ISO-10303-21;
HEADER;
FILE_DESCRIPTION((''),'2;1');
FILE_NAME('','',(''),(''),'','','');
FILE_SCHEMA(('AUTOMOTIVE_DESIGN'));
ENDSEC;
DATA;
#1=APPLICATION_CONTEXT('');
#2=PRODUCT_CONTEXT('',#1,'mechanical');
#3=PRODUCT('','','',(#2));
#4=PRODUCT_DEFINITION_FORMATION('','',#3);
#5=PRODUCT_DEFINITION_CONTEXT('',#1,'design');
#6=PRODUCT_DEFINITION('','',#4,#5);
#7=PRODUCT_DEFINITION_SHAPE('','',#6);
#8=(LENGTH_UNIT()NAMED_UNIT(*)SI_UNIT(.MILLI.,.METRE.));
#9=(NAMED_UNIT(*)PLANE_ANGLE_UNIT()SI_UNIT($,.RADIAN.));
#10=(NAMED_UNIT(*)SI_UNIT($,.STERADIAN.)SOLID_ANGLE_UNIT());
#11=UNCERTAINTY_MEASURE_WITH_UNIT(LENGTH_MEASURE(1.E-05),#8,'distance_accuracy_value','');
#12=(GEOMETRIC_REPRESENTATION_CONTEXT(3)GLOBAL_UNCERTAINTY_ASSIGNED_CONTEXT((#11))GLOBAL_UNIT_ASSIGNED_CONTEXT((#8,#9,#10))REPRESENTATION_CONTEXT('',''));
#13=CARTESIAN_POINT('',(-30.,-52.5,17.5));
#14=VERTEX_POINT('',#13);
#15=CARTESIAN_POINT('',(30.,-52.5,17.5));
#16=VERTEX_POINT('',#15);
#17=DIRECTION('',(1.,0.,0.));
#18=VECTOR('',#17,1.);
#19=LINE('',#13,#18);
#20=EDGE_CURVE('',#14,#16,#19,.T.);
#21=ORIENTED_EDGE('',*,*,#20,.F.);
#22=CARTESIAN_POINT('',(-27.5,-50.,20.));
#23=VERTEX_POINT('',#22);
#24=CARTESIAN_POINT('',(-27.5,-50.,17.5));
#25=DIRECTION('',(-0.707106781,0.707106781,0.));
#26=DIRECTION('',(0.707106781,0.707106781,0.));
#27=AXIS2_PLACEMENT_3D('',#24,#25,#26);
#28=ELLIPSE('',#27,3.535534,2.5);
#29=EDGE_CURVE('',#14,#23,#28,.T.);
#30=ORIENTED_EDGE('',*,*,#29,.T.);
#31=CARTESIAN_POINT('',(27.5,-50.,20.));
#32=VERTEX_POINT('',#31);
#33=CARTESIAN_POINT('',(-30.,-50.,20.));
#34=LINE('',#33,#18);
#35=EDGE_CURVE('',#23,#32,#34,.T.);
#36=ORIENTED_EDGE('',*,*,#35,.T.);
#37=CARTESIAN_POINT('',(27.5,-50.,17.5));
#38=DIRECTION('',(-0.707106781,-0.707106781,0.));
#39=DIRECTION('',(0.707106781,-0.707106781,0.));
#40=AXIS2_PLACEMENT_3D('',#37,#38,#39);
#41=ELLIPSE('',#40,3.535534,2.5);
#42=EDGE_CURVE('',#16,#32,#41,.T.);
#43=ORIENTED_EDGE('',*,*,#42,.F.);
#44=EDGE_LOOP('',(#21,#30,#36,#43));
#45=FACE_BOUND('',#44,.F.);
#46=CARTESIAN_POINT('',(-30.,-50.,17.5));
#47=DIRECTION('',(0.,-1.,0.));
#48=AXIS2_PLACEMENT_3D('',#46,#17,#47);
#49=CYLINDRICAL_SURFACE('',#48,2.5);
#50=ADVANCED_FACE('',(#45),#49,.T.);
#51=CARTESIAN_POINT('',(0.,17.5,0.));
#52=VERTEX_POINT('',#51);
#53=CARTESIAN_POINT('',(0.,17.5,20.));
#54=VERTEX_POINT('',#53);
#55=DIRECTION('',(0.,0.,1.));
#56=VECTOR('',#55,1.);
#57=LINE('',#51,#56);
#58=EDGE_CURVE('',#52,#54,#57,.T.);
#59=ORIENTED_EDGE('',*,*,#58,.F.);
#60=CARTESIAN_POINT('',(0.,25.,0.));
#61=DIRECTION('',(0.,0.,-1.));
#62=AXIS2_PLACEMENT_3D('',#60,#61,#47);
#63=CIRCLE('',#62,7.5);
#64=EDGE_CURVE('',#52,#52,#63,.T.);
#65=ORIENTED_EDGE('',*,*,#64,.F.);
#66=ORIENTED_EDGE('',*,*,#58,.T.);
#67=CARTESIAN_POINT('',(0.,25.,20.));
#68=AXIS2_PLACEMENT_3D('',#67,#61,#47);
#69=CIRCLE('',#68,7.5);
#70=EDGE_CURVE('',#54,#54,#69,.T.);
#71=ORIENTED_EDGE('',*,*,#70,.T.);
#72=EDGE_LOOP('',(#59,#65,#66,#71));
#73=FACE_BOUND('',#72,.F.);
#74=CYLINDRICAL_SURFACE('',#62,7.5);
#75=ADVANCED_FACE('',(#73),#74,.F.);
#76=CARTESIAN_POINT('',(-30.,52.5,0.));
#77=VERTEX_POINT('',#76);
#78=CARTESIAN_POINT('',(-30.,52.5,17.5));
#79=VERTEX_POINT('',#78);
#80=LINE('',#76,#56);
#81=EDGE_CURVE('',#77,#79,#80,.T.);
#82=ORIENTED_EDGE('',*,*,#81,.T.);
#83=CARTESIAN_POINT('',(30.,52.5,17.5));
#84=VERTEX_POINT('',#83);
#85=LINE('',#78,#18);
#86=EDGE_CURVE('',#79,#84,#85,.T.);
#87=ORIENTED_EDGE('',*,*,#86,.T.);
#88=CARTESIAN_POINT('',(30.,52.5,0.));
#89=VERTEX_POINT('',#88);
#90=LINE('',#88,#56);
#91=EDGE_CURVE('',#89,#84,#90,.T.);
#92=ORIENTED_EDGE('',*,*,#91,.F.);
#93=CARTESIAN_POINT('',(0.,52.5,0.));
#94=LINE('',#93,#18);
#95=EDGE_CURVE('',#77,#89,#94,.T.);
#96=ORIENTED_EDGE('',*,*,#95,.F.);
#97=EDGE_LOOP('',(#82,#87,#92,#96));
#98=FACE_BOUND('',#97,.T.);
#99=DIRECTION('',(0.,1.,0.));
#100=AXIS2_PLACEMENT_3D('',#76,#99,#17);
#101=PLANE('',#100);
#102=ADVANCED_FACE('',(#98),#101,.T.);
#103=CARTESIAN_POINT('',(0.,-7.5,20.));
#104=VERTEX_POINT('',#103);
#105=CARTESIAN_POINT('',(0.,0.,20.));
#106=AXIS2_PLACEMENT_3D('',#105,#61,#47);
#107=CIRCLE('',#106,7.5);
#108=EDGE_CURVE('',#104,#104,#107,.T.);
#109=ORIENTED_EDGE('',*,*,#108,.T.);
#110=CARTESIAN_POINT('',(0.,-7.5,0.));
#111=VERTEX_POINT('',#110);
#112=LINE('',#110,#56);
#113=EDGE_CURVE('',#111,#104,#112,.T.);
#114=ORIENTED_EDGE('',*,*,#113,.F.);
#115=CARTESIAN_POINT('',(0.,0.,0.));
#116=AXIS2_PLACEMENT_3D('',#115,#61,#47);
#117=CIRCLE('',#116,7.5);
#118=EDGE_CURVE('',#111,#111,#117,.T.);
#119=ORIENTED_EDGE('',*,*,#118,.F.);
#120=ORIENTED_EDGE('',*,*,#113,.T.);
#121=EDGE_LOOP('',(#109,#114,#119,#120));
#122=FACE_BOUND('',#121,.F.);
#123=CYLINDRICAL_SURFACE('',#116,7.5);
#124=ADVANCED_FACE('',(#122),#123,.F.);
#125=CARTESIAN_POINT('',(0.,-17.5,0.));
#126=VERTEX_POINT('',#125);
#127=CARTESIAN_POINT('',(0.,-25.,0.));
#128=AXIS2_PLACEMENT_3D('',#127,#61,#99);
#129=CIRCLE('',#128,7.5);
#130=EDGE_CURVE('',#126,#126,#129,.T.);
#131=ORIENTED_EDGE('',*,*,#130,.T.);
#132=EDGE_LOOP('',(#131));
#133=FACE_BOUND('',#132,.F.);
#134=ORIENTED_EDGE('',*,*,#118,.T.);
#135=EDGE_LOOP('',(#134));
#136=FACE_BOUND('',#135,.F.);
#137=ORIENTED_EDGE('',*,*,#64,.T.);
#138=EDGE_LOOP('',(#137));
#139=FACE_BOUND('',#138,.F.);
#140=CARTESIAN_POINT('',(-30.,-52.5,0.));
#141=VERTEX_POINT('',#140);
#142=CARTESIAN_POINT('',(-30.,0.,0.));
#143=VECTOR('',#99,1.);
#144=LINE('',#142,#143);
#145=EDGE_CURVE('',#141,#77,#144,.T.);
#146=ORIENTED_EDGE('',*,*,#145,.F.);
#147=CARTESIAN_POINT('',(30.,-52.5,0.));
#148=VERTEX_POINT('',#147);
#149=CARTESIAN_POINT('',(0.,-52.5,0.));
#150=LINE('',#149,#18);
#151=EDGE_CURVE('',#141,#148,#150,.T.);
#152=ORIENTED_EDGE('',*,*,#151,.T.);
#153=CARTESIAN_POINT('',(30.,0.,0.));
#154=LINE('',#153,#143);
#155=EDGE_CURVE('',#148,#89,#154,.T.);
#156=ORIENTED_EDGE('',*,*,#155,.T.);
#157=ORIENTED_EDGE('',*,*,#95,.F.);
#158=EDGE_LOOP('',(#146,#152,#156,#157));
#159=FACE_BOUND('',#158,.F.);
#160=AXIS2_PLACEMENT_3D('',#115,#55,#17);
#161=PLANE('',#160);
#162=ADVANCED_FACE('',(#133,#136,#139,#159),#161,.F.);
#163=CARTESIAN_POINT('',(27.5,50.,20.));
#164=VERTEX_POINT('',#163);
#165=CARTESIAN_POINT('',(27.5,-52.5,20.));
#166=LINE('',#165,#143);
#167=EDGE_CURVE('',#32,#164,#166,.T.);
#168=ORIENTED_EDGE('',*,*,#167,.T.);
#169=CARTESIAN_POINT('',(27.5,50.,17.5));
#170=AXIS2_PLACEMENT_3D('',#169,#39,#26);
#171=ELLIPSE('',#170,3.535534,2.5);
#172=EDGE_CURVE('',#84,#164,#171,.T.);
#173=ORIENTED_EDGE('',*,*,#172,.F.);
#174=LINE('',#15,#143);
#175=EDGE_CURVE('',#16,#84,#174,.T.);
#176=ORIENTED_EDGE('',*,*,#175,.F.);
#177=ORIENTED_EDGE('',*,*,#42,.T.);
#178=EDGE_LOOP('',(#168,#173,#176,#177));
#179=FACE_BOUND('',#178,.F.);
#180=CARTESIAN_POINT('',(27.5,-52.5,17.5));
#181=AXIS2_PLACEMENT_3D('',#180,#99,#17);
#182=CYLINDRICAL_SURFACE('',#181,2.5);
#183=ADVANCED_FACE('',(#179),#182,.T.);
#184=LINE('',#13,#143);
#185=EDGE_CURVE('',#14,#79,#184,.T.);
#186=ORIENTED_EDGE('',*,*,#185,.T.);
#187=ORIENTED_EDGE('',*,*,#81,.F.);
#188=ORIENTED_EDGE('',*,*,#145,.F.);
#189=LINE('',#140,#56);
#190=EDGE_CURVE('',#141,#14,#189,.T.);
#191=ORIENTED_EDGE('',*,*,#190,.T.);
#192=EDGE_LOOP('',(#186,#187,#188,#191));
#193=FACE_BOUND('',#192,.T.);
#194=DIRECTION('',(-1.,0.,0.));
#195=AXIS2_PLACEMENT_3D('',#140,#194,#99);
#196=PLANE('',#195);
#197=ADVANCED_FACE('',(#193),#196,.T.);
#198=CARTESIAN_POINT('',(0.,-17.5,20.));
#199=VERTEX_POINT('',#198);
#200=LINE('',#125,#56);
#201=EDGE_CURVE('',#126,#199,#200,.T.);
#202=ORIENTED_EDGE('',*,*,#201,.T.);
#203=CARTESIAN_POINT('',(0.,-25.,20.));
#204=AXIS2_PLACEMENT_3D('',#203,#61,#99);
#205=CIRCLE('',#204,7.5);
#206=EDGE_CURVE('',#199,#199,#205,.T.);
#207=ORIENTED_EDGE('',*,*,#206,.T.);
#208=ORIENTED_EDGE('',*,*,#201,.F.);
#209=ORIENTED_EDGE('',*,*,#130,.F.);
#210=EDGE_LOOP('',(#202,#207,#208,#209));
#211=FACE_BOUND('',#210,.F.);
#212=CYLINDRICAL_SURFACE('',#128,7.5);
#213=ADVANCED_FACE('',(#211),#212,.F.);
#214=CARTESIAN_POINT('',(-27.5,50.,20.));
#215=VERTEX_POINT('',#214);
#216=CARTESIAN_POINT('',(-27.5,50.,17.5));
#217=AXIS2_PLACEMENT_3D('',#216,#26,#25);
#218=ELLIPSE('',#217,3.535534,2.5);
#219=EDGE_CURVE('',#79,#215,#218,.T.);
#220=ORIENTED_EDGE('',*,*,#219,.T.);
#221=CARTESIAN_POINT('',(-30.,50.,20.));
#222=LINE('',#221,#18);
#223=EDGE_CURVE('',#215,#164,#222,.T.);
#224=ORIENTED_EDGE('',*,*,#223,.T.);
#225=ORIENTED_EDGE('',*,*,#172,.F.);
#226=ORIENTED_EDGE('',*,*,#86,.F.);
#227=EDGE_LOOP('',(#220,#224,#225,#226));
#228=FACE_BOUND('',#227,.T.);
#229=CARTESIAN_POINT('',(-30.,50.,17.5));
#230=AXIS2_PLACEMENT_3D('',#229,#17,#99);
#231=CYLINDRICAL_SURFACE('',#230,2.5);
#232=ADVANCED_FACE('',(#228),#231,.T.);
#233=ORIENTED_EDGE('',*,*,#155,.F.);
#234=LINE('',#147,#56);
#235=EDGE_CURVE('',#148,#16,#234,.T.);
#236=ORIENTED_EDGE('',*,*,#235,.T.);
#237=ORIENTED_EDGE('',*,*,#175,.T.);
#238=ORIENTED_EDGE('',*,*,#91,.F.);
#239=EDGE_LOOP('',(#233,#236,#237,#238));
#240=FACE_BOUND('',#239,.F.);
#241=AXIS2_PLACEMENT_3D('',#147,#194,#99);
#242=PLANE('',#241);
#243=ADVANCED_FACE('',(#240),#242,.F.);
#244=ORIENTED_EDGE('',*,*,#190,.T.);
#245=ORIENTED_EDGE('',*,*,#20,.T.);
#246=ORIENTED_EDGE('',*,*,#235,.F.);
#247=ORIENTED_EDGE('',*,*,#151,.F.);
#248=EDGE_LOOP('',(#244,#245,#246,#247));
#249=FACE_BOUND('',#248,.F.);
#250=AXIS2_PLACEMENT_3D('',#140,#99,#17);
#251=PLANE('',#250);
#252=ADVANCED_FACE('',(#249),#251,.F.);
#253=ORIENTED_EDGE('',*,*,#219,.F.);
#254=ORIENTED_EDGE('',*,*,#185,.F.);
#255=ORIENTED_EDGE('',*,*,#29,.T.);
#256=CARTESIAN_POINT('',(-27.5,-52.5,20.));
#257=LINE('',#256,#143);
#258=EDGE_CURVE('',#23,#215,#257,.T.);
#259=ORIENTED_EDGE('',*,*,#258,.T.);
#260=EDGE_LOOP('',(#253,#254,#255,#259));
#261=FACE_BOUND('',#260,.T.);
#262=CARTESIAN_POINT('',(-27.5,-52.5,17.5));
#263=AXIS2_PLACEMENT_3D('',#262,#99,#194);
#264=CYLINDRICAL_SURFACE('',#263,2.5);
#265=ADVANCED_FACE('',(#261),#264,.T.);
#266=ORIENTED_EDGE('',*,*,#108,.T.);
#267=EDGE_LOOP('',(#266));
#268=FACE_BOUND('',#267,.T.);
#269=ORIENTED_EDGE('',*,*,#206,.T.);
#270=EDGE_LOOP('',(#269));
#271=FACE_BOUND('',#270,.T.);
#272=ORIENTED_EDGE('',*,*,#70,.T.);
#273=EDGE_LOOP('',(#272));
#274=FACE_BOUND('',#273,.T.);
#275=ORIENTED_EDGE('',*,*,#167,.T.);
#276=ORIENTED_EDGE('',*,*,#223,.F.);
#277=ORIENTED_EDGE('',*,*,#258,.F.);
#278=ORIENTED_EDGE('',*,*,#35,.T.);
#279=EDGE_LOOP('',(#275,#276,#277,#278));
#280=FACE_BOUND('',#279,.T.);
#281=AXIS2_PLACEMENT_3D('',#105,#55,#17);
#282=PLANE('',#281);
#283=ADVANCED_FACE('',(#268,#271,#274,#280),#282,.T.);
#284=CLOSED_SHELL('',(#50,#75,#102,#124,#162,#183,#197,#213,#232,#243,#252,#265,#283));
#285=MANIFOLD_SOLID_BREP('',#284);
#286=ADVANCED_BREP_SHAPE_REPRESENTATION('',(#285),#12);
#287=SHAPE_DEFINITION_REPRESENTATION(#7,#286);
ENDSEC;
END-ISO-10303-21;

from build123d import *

# Parameters (mm, degrees)
F0_W     = 60
F0_H     = 105
F1_DEPTH = 20
F2_R     = 2.5


with BuildPart() as f1:
    # F0 (on Top) → F1 (new body)
    with BuildSketch(Plane.XY):
        Rectangle(F0_W, F0_H)
        with BuildLine():
            ThreePointArc((7.5, -25), (-5.3033008589, -30.3033008589), (0, -17.5))
            ThreePointArc((0, -17.5), (5.3033008589, -19.6966991411), (7.5, -25))
        make_face(mode=Mode.SUBTRACT)
        with BuildLine():
            ThreePointArc((0, 7.5), (5.3033008589, 5.3033008589), (7.5, 0))
            ThreePointArc((7.5, 0), (5.3033008589, -5.3033008589), (0, -7.5))
            ThreePointArc((0, -7.5), (-7.5, 0), (0, 7.5))
        make_face(mode=Mode.SUBTRACT)
        with BuildLine():
            ThreePointArc((7.5, 25), (5.3033008589, 19.6966991411), (0, 17.5))
            ThreePointArc((0, 17.5), (-5.3033008589, 30.3033008589), (7.5, 25))
        make_face(mode=Mode.SUBTRACT)
    extrude(amount=F1_DEPTH)

    # F2
    f2_edges = [f1.edges().sort_by_distance(p)[0] for p in [
        (0, -52.5, 20),
        (30, 0, 20),
        (-30, 0, 20),
        (0, 52.5, 20),
    ]]
    fillet(f2_edges, radius=F2_R)


solid = f1.part
